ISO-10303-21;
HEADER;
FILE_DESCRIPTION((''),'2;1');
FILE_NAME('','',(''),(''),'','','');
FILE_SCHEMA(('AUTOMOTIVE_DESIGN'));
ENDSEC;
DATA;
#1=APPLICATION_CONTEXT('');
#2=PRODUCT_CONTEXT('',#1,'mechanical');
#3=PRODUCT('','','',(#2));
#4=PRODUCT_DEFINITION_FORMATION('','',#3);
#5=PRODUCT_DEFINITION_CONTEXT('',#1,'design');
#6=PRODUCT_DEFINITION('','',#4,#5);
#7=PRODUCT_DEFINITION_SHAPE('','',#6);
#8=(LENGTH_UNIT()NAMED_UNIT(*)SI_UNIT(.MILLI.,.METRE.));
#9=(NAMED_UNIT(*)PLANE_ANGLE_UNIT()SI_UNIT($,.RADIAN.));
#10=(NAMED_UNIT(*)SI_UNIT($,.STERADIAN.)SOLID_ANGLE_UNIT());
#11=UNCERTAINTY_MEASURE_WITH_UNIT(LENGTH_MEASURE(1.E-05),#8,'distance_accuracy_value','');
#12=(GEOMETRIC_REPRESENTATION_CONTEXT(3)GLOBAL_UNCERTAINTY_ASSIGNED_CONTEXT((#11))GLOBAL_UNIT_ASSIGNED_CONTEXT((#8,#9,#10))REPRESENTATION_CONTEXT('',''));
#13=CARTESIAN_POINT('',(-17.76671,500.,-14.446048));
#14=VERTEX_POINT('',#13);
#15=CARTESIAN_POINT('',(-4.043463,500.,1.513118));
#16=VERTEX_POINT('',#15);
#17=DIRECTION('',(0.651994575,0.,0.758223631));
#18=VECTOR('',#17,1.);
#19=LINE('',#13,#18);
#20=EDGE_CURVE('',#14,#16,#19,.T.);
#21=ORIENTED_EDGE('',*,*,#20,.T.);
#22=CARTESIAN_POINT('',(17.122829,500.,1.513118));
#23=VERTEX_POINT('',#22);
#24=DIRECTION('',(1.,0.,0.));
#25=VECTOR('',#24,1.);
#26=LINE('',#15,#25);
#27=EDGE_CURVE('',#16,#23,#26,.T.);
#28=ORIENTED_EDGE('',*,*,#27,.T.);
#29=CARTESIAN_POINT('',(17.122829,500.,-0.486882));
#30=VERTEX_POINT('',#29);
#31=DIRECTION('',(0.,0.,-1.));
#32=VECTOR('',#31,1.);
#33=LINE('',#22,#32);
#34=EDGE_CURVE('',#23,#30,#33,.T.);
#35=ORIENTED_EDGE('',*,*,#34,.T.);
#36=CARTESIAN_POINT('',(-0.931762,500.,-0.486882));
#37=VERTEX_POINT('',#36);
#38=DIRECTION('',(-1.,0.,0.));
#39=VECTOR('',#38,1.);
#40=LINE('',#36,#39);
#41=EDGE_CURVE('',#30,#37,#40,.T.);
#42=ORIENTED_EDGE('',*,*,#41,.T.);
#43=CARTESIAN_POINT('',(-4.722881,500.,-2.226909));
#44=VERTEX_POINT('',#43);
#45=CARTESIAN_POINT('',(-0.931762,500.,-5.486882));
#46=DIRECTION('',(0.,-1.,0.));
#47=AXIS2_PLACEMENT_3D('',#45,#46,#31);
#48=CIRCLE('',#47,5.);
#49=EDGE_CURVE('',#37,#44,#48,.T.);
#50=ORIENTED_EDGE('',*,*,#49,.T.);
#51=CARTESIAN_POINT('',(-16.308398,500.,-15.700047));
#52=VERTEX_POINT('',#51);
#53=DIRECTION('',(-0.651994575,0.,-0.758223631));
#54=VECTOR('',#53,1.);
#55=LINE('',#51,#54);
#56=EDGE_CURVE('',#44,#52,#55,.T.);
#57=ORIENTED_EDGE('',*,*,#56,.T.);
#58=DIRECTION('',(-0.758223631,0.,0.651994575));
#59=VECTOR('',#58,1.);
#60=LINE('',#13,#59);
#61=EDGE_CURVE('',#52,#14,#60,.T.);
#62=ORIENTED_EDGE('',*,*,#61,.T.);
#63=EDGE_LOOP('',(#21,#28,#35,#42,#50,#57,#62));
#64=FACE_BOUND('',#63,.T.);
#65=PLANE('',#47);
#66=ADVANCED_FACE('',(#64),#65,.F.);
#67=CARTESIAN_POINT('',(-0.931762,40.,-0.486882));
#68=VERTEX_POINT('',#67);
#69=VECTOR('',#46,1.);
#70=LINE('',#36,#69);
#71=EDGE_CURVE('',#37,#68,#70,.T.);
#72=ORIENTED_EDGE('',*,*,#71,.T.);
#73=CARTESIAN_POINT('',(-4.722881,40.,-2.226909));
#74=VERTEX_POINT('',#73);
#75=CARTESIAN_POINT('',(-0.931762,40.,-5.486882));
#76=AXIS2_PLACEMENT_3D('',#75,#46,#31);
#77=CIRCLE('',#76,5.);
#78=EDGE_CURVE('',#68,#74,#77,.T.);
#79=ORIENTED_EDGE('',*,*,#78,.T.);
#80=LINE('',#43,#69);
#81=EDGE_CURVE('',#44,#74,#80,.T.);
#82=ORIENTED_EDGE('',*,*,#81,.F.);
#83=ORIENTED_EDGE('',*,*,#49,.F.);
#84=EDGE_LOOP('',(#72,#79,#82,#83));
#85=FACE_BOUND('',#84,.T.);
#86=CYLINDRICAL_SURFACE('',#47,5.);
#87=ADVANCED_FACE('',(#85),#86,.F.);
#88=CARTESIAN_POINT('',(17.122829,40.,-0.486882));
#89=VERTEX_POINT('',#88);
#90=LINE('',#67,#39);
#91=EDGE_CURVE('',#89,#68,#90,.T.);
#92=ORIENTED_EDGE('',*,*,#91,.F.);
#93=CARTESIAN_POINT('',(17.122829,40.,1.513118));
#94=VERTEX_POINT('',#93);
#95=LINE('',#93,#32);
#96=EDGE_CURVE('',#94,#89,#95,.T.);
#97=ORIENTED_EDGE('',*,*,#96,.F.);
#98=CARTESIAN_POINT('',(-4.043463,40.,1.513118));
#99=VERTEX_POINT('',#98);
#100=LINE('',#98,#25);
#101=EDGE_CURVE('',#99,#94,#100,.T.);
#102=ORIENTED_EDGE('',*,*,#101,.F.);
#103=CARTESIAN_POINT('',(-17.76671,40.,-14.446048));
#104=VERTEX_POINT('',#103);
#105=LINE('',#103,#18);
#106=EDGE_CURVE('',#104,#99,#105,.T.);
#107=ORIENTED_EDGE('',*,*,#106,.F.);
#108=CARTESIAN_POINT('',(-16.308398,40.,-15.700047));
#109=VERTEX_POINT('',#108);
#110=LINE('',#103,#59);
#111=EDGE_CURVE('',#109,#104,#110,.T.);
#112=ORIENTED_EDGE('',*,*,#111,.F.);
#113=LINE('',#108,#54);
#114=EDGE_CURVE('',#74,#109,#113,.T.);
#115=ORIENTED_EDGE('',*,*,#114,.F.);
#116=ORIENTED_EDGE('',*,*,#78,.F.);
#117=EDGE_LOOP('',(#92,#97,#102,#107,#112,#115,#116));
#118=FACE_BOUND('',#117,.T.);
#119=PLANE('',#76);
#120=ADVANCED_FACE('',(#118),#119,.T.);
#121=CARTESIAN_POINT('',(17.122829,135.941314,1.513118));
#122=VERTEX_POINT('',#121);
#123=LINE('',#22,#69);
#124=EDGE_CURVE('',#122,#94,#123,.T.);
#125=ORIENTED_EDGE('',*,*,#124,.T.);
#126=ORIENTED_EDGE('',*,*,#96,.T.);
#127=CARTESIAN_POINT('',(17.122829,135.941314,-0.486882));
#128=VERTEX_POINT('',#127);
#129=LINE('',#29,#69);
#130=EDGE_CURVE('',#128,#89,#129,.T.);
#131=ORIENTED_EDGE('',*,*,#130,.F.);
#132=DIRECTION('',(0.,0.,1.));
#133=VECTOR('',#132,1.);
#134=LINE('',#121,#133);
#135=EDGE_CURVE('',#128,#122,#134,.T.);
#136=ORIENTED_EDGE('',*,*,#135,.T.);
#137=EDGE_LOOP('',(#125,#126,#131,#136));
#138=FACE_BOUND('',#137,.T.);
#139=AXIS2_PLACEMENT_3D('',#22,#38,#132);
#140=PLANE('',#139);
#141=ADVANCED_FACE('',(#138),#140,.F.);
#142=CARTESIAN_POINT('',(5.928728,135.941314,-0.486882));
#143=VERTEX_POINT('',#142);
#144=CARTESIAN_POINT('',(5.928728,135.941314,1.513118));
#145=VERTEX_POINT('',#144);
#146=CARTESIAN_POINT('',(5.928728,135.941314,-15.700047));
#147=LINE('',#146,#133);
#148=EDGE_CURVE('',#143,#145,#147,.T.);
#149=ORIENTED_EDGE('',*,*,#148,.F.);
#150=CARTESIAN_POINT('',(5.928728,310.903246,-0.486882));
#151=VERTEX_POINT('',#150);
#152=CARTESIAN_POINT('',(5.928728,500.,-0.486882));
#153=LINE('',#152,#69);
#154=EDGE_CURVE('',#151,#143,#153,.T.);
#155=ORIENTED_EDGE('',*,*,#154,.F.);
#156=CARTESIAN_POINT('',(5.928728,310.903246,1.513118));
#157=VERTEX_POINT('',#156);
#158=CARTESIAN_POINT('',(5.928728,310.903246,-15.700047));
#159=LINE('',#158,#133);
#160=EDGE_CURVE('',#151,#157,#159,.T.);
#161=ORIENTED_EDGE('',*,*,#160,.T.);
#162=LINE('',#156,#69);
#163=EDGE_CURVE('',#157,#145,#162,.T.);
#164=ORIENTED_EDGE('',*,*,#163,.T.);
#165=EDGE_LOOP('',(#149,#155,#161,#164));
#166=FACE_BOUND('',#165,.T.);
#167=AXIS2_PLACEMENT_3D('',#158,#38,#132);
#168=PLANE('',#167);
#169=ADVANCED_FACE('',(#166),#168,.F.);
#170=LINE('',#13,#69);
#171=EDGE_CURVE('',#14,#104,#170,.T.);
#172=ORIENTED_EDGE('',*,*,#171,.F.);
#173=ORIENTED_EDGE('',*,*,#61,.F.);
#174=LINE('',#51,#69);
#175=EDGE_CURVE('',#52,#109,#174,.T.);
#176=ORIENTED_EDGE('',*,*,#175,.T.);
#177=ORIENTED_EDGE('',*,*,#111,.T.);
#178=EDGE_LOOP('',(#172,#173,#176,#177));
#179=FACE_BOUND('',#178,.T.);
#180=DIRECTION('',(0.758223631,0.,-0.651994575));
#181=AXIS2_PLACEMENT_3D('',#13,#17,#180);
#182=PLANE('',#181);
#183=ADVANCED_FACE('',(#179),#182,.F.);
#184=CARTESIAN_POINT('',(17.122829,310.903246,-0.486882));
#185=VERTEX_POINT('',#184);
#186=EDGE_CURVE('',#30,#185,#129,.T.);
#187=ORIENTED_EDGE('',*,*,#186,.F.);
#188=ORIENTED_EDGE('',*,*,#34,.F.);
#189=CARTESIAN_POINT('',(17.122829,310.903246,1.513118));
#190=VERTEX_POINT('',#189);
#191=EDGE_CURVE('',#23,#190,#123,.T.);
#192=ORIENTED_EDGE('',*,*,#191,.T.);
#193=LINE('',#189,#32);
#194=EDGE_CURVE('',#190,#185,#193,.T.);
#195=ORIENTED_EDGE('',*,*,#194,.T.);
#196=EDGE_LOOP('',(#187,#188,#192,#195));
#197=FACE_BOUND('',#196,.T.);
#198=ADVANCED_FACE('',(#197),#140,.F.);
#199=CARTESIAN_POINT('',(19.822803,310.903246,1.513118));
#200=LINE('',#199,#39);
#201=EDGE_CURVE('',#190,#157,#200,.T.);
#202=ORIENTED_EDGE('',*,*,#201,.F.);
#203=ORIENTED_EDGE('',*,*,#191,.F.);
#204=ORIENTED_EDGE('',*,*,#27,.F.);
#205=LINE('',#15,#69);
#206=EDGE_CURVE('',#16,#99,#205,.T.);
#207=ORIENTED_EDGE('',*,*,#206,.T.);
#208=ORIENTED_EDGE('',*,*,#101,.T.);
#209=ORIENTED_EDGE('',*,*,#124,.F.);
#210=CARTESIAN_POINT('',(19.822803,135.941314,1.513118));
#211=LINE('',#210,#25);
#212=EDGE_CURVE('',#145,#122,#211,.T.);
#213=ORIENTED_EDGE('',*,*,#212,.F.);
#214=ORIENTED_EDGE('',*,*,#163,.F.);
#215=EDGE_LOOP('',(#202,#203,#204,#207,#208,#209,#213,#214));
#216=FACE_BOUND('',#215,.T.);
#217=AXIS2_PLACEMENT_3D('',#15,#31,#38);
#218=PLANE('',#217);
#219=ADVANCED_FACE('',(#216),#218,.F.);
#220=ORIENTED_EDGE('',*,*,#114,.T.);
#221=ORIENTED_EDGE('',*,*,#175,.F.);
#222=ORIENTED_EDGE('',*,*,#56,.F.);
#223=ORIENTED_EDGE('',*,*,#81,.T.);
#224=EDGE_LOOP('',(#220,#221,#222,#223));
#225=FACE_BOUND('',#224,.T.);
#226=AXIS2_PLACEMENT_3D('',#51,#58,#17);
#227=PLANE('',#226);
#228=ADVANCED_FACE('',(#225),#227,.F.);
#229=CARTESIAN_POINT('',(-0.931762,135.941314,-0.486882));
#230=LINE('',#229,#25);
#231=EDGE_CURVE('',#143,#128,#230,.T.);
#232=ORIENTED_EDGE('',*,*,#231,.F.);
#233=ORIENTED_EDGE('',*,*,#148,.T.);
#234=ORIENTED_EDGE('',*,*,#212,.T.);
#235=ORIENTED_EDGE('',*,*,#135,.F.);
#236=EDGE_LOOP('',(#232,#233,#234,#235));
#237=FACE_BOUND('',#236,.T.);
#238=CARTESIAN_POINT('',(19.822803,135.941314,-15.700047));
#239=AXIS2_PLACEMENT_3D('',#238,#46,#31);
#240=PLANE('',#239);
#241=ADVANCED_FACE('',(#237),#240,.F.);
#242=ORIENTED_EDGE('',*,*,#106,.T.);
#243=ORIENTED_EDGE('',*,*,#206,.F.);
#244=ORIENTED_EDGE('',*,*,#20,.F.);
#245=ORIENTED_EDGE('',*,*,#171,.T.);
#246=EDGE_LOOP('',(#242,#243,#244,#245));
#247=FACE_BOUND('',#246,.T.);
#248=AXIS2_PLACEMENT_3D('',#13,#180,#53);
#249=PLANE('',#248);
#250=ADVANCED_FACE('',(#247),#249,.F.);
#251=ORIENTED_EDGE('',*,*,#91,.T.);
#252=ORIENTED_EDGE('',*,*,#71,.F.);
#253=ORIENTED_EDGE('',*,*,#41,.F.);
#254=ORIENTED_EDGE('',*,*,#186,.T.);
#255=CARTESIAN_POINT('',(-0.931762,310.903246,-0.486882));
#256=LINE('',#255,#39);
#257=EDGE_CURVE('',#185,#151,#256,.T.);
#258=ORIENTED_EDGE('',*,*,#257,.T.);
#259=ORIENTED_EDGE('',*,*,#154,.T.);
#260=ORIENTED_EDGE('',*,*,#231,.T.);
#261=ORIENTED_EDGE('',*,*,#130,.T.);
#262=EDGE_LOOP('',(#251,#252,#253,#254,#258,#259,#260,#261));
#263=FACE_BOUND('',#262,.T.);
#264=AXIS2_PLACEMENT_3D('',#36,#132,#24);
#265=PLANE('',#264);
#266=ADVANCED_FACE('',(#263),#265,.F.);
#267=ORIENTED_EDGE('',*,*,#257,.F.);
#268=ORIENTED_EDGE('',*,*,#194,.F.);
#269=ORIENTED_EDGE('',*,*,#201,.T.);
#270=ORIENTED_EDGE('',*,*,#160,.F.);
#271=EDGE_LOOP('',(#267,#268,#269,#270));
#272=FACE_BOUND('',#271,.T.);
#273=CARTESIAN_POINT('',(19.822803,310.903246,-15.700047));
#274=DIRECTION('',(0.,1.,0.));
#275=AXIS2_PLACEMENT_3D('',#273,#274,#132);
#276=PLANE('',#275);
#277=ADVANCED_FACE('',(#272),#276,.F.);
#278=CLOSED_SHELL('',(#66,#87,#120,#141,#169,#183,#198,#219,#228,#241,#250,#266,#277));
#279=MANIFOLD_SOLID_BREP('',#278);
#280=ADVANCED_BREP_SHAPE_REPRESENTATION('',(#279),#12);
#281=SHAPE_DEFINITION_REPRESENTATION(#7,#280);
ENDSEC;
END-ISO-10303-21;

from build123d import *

# Parameters (mm, degrees)
EXTRUDE_START       = 40
EXTRUDE_1_DEPTH     = 460
SKETCH_2_W          = 13.894074778
SKETCH_2_H          = 174.961932369
CUT_EXTRUDE_1_DEPTH = 501.611575003


with BuildPart() as part:
    # Эскиз1 → Вытянуть1 (new body)
    with BuildSketch(Plane(origin=(0, 0, 0), x_dir=(1, 0, 0), z_dir=(0, 1, 0)).offset(EXTRUDE_START)):
        with BuildLine():
            Line((-17.766709847, 14.4460477), (-16.308397656, 15.700046652))
            Line((-16.308397656, 15.700046652), (-4.722880617, 2.226908794))
            ThreePointArc((-4.722880617, 2.226908794), (-3.017444081, 0.942662024), (-0.931762463, 0.48688167))
            Line((-0.931762463, 0.48688167), (17.122829042, 0.48688167))
            Line((17.122829042, 0.48688167), (17.122829042, -1.51311833))
            Line((17.122829042, -1.51311833), (-4.043463493, -1.51311833))
            Line((-4.043463493, -1.51311833), (-17.766709847, 14.4460477))
        make_face()
    extrude(amount=EXTRUDE_1_DEPTH)

    # Эскиз2 → Вырез-Вытянуть1 (cut, through all)
    with BuildSketch(Plane.XY.offset(1.51311833)):
        with Locations((12.875765805, 223.422280108)):
            Rectangle(SKETCH_2_W, SKETCH_2_H)
    extrude(amount=-CUT_EXTRUDE_1_DEPTH, mode=Mode.SUBTRACT)


solid = part.part
